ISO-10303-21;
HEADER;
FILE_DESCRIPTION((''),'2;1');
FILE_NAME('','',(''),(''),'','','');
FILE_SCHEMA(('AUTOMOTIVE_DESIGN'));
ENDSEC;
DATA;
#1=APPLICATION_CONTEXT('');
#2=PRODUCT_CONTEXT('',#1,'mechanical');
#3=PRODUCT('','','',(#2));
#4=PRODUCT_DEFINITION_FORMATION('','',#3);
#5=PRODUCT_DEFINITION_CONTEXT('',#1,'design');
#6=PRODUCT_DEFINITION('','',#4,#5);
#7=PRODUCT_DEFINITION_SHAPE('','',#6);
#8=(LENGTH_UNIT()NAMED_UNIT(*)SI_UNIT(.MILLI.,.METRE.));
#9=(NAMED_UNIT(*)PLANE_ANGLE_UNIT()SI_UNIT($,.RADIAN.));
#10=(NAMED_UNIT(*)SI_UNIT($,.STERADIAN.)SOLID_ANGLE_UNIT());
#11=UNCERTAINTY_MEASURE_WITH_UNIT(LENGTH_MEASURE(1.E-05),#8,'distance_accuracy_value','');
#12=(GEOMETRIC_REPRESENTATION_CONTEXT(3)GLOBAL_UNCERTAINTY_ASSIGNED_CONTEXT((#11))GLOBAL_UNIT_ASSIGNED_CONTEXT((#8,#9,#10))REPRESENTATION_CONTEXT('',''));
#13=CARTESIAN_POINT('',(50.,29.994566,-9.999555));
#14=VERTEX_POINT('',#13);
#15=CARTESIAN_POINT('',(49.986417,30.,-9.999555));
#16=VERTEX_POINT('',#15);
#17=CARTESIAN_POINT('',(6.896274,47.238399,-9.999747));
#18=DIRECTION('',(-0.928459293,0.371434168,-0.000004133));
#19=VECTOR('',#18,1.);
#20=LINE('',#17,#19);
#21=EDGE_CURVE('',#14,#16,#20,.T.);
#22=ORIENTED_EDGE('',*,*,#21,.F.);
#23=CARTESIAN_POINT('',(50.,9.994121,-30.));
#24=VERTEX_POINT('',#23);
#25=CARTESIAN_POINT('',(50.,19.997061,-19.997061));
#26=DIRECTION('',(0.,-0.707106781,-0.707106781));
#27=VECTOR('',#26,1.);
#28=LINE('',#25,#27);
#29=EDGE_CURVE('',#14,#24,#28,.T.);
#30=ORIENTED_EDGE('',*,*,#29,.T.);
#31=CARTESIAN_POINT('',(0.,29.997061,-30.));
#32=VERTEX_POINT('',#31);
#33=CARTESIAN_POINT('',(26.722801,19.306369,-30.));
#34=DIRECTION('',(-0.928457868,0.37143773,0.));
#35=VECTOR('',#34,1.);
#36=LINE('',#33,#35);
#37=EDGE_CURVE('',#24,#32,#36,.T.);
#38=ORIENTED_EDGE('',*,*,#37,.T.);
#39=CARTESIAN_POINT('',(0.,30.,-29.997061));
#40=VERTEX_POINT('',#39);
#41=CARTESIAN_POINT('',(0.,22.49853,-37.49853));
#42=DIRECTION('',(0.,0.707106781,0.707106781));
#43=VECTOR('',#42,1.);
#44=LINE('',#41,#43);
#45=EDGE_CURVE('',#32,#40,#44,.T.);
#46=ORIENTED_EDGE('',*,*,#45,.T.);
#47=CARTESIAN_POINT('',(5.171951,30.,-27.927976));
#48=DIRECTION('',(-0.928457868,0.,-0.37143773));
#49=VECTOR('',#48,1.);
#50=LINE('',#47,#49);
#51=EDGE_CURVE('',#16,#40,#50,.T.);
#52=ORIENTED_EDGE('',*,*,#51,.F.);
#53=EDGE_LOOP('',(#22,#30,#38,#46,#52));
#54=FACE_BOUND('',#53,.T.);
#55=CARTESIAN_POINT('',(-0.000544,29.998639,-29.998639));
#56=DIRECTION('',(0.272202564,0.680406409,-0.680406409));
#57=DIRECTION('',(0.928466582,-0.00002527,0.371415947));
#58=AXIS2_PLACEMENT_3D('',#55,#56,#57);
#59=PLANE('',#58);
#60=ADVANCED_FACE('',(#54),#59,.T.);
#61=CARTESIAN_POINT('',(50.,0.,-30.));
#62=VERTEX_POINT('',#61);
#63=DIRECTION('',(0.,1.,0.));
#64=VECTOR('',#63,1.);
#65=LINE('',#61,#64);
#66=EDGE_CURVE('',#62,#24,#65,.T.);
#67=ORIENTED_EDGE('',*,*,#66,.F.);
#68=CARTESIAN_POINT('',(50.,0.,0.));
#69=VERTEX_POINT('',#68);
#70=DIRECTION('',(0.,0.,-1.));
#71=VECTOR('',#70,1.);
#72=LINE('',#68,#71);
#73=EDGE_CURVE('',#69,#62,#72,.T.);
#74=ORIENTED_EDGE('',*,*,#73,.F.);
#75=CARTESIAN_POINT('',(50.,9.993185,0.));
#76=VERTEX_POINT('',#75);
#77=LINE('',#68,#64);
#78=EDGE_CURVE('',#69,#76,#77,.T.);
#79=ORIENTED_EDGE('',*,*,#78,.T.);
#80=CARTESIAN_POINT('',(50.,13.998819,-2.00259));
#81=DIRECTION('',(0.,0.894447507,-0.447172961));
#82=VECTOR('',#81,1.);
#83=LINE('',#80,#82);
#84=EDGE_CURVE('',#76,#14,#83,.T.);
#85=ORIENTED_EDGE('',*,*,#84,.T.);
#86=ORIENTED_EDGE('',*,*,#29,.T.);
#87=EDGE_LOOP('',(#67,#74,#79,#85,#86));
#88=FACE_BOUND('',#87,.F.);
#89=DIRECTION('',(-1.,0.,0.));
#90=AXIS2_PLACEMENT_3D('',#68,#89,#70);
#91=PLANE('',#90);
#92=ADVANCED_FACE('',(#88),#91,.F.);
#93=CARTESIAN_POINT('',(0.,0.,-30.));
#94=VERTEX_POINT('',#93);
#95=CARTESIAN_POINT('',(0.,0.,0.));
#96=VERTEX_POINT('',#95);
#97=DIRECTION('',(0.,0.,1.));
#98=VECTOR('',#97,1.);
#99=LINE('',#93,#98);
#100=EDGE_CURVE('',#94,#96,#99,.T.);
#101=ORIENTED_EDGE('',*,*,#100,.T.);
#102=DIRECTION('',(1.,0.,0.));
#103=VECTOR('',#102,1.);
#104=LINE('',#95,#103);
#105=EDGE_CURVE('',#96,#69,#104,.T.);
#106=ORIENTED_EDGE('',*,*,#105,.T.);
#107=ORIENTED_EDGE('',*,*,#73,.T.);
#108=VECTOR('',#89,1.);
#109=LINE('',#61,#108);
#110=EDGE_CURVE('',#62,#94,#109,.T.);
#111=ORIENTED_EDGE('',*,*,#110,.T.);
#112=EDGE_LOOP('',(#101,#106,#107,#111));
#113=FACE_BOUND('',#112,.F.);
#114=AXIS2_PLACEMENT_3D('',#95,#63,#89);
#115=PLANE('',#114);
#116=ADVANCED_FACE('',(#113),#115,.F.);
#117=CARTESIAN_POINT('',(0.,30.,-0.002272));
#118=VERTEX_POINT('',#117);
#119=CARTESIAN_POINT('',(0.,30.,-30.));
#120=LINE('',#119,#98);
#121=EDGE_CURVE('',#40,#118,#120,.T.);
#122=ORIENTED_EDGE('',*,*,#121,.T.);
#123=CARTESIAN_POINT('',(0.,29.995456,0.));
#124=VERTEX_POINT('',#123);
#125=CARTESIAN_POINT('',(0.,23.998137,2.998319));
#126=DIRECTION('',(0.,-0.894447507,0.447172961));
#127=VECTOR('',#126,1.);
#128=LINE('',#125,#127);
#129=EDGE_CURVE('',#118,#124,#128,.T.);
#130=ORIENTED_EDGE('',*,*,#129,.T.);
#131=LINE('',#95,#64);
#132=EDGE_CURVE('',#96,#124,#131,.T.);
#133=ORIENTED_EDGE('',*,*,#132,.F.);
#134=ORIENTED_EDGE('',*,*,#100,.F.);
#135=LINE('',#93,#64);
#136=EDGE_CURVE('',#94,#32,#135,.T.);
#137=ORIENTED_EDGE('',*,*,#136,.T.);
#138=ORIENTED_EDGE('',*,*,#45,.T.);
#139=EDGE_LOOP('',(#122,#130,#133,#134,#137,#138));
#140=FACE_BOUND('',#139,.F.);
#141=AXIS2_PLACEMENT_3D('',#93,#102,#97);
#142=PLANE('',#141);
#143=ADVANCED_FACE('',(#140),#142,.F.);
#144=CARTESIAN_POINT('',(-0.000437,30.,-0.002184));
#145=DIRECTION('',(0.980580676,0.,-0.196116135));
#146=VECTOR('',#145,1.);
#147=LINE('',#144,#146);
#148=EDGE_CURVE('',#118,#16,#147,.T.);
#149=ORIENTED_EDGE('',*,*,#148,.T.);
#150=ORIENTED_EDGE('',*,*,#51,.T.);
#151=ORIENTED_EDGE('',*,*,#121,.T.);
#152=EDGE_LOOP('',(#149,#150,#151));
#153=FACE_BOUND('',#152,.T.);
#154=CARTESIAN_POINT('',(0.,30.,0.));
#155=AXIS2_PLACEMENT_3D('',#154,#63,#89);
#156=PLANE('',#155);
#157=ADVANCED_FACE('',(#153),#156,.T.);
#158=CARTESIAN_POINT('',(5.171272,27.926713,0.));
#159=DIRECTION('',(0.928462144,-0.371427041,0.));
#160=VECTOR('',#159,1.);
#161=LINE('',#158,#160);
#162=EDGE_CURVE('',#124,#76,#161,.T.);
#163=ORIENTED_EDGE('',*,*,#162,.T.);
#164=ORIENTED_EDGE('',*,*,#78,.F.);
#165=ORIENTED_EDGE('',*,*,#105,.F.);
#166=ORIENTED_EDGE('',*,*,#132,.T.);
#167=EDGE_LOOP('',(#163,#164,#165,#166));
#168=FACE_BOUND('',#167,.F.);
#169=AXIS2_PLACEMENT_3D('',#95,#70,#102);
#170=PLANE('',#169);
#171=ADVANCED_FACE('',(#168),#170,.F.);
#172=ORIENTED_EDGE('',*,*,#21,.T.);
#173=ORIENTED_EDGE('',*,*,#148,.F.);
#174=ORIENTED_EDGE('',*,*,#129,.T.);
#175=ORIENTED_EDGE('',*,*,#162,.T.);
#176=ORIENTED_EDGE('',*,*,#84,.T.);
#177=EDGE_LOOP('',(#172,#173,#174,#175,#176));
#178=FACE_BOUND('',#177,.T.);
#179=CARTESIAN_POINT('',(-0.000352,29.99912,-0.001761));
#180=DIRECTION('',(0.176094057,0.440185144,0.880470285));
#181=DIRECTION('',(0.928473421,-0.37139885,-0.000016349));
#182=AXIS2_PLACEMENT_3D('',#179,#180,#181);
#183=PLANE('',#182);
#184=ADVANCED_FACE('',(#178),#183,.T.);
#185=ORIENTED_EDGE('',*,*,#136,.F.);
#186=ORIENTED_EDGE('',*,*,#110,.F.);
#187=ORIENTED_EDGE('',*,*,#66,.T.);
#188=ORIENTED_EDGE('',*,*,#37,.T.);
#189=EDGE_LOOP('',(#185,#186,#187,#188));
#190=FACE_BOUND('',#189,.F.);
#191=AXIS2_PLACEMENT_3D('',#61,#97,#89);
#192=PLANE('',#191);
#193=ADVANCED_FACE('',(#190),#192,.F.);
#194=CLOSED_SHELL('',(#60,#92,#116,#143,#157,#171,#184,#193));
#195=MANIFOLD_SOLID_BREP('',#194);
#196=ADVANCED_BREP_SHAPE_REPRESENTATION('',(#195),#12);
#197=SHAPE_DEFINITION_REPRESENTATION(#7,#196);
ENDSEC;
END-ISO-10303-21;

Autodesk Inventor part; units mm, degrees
ref_plane "YZ Plane" through (0, 0, 0) normal (1, 0, 0) x (0, 1, 0)
sketch "草圖1" plane through (0, 0, 0) normal (0, 1, 0) x (-1, 0, 0)
  line L0 (0, 0) -> (-50, 0)
  line L1 (-50, 0) -> (-50, -30)
  line L2 (-50, -30) -> (0, -30)
  line L3 (0, -30) -> (0, 0)
  dimension "d0" = 30
  dimension "d1" = 50
extrude "擠出1" add sketch "草圖1" along normal blind 30
sketch "草圖2" plane through (50, 0, 0) normal (1, 0, 0) x (0, 0, -1)
  line L0 (0, 0) -> (0, 30) projected
  line L1 (0, 10) -> (10, 30)
  line L2 (0, 30) -> (30, 30) projected
  dimension "d4" = 10
  dimension "d5" = 20
ref_plane "工作平面1" through (0, 30, 0) normal (0.1761, 0.4402, 0.8805) x (0.9285, -0.3714, 0)
sketch "草圖3" plane through (0, 30, 0) normal (0.1761, 0.4402, 0.8805) x (0.9285, -0.3714, 0)
  line L0 (-15.4491, 27.3305) -> (88.7028, 27.3305)
  line L1 (88.7028, 27.3305) -> (88.7028, -20.9863)
  line L2 (88.7028, -20.9863) -> (-15.4491, -20.9863)
  line L3 (-15.4491, -20.9863) -> (-15.4491, 27.3305)
  point P0 (11.1417, -24.5243)
extrude "擠出2" cut sketch "草圖3" along normal blind 30
sketch "草圖4" plane through (50, 0, 0) normal (1, 0, 0) x (0, 0, -1)
  line L0 (30, 0) -> (30, 30) projected
  point P0 (0, 0)
  point P1 (30, 10)
  dimension "d8" = 20
ref_plane "工作平面2" through (0, 30, -30) normal (0.2722, 0.6804, -0.6804) x (0.9285, 0, 0.3714)
sketch "草圖5" plane through (0, 30, -30) normal (0.2722, 0.6804, -0.6804) x (0.9285, 0, 0.3714)
  line L0 (63.1624, -12.2255) -> (-24.2943, -12.2255)
  line L1 (-24.2943, -12.2255) -> (-24.2943, 28.5728)
  line L2 (-24.2943, 28.5728) -> (63.1624, 28.5728)
  line L3 (63.1624, 28.5728) -> (63.1624, -12.2255)
  point P0 (11.1417, 3.0324)
extrude "擠出3" cut sketch "草圖5" along normal blind 30
properties part number "40"
